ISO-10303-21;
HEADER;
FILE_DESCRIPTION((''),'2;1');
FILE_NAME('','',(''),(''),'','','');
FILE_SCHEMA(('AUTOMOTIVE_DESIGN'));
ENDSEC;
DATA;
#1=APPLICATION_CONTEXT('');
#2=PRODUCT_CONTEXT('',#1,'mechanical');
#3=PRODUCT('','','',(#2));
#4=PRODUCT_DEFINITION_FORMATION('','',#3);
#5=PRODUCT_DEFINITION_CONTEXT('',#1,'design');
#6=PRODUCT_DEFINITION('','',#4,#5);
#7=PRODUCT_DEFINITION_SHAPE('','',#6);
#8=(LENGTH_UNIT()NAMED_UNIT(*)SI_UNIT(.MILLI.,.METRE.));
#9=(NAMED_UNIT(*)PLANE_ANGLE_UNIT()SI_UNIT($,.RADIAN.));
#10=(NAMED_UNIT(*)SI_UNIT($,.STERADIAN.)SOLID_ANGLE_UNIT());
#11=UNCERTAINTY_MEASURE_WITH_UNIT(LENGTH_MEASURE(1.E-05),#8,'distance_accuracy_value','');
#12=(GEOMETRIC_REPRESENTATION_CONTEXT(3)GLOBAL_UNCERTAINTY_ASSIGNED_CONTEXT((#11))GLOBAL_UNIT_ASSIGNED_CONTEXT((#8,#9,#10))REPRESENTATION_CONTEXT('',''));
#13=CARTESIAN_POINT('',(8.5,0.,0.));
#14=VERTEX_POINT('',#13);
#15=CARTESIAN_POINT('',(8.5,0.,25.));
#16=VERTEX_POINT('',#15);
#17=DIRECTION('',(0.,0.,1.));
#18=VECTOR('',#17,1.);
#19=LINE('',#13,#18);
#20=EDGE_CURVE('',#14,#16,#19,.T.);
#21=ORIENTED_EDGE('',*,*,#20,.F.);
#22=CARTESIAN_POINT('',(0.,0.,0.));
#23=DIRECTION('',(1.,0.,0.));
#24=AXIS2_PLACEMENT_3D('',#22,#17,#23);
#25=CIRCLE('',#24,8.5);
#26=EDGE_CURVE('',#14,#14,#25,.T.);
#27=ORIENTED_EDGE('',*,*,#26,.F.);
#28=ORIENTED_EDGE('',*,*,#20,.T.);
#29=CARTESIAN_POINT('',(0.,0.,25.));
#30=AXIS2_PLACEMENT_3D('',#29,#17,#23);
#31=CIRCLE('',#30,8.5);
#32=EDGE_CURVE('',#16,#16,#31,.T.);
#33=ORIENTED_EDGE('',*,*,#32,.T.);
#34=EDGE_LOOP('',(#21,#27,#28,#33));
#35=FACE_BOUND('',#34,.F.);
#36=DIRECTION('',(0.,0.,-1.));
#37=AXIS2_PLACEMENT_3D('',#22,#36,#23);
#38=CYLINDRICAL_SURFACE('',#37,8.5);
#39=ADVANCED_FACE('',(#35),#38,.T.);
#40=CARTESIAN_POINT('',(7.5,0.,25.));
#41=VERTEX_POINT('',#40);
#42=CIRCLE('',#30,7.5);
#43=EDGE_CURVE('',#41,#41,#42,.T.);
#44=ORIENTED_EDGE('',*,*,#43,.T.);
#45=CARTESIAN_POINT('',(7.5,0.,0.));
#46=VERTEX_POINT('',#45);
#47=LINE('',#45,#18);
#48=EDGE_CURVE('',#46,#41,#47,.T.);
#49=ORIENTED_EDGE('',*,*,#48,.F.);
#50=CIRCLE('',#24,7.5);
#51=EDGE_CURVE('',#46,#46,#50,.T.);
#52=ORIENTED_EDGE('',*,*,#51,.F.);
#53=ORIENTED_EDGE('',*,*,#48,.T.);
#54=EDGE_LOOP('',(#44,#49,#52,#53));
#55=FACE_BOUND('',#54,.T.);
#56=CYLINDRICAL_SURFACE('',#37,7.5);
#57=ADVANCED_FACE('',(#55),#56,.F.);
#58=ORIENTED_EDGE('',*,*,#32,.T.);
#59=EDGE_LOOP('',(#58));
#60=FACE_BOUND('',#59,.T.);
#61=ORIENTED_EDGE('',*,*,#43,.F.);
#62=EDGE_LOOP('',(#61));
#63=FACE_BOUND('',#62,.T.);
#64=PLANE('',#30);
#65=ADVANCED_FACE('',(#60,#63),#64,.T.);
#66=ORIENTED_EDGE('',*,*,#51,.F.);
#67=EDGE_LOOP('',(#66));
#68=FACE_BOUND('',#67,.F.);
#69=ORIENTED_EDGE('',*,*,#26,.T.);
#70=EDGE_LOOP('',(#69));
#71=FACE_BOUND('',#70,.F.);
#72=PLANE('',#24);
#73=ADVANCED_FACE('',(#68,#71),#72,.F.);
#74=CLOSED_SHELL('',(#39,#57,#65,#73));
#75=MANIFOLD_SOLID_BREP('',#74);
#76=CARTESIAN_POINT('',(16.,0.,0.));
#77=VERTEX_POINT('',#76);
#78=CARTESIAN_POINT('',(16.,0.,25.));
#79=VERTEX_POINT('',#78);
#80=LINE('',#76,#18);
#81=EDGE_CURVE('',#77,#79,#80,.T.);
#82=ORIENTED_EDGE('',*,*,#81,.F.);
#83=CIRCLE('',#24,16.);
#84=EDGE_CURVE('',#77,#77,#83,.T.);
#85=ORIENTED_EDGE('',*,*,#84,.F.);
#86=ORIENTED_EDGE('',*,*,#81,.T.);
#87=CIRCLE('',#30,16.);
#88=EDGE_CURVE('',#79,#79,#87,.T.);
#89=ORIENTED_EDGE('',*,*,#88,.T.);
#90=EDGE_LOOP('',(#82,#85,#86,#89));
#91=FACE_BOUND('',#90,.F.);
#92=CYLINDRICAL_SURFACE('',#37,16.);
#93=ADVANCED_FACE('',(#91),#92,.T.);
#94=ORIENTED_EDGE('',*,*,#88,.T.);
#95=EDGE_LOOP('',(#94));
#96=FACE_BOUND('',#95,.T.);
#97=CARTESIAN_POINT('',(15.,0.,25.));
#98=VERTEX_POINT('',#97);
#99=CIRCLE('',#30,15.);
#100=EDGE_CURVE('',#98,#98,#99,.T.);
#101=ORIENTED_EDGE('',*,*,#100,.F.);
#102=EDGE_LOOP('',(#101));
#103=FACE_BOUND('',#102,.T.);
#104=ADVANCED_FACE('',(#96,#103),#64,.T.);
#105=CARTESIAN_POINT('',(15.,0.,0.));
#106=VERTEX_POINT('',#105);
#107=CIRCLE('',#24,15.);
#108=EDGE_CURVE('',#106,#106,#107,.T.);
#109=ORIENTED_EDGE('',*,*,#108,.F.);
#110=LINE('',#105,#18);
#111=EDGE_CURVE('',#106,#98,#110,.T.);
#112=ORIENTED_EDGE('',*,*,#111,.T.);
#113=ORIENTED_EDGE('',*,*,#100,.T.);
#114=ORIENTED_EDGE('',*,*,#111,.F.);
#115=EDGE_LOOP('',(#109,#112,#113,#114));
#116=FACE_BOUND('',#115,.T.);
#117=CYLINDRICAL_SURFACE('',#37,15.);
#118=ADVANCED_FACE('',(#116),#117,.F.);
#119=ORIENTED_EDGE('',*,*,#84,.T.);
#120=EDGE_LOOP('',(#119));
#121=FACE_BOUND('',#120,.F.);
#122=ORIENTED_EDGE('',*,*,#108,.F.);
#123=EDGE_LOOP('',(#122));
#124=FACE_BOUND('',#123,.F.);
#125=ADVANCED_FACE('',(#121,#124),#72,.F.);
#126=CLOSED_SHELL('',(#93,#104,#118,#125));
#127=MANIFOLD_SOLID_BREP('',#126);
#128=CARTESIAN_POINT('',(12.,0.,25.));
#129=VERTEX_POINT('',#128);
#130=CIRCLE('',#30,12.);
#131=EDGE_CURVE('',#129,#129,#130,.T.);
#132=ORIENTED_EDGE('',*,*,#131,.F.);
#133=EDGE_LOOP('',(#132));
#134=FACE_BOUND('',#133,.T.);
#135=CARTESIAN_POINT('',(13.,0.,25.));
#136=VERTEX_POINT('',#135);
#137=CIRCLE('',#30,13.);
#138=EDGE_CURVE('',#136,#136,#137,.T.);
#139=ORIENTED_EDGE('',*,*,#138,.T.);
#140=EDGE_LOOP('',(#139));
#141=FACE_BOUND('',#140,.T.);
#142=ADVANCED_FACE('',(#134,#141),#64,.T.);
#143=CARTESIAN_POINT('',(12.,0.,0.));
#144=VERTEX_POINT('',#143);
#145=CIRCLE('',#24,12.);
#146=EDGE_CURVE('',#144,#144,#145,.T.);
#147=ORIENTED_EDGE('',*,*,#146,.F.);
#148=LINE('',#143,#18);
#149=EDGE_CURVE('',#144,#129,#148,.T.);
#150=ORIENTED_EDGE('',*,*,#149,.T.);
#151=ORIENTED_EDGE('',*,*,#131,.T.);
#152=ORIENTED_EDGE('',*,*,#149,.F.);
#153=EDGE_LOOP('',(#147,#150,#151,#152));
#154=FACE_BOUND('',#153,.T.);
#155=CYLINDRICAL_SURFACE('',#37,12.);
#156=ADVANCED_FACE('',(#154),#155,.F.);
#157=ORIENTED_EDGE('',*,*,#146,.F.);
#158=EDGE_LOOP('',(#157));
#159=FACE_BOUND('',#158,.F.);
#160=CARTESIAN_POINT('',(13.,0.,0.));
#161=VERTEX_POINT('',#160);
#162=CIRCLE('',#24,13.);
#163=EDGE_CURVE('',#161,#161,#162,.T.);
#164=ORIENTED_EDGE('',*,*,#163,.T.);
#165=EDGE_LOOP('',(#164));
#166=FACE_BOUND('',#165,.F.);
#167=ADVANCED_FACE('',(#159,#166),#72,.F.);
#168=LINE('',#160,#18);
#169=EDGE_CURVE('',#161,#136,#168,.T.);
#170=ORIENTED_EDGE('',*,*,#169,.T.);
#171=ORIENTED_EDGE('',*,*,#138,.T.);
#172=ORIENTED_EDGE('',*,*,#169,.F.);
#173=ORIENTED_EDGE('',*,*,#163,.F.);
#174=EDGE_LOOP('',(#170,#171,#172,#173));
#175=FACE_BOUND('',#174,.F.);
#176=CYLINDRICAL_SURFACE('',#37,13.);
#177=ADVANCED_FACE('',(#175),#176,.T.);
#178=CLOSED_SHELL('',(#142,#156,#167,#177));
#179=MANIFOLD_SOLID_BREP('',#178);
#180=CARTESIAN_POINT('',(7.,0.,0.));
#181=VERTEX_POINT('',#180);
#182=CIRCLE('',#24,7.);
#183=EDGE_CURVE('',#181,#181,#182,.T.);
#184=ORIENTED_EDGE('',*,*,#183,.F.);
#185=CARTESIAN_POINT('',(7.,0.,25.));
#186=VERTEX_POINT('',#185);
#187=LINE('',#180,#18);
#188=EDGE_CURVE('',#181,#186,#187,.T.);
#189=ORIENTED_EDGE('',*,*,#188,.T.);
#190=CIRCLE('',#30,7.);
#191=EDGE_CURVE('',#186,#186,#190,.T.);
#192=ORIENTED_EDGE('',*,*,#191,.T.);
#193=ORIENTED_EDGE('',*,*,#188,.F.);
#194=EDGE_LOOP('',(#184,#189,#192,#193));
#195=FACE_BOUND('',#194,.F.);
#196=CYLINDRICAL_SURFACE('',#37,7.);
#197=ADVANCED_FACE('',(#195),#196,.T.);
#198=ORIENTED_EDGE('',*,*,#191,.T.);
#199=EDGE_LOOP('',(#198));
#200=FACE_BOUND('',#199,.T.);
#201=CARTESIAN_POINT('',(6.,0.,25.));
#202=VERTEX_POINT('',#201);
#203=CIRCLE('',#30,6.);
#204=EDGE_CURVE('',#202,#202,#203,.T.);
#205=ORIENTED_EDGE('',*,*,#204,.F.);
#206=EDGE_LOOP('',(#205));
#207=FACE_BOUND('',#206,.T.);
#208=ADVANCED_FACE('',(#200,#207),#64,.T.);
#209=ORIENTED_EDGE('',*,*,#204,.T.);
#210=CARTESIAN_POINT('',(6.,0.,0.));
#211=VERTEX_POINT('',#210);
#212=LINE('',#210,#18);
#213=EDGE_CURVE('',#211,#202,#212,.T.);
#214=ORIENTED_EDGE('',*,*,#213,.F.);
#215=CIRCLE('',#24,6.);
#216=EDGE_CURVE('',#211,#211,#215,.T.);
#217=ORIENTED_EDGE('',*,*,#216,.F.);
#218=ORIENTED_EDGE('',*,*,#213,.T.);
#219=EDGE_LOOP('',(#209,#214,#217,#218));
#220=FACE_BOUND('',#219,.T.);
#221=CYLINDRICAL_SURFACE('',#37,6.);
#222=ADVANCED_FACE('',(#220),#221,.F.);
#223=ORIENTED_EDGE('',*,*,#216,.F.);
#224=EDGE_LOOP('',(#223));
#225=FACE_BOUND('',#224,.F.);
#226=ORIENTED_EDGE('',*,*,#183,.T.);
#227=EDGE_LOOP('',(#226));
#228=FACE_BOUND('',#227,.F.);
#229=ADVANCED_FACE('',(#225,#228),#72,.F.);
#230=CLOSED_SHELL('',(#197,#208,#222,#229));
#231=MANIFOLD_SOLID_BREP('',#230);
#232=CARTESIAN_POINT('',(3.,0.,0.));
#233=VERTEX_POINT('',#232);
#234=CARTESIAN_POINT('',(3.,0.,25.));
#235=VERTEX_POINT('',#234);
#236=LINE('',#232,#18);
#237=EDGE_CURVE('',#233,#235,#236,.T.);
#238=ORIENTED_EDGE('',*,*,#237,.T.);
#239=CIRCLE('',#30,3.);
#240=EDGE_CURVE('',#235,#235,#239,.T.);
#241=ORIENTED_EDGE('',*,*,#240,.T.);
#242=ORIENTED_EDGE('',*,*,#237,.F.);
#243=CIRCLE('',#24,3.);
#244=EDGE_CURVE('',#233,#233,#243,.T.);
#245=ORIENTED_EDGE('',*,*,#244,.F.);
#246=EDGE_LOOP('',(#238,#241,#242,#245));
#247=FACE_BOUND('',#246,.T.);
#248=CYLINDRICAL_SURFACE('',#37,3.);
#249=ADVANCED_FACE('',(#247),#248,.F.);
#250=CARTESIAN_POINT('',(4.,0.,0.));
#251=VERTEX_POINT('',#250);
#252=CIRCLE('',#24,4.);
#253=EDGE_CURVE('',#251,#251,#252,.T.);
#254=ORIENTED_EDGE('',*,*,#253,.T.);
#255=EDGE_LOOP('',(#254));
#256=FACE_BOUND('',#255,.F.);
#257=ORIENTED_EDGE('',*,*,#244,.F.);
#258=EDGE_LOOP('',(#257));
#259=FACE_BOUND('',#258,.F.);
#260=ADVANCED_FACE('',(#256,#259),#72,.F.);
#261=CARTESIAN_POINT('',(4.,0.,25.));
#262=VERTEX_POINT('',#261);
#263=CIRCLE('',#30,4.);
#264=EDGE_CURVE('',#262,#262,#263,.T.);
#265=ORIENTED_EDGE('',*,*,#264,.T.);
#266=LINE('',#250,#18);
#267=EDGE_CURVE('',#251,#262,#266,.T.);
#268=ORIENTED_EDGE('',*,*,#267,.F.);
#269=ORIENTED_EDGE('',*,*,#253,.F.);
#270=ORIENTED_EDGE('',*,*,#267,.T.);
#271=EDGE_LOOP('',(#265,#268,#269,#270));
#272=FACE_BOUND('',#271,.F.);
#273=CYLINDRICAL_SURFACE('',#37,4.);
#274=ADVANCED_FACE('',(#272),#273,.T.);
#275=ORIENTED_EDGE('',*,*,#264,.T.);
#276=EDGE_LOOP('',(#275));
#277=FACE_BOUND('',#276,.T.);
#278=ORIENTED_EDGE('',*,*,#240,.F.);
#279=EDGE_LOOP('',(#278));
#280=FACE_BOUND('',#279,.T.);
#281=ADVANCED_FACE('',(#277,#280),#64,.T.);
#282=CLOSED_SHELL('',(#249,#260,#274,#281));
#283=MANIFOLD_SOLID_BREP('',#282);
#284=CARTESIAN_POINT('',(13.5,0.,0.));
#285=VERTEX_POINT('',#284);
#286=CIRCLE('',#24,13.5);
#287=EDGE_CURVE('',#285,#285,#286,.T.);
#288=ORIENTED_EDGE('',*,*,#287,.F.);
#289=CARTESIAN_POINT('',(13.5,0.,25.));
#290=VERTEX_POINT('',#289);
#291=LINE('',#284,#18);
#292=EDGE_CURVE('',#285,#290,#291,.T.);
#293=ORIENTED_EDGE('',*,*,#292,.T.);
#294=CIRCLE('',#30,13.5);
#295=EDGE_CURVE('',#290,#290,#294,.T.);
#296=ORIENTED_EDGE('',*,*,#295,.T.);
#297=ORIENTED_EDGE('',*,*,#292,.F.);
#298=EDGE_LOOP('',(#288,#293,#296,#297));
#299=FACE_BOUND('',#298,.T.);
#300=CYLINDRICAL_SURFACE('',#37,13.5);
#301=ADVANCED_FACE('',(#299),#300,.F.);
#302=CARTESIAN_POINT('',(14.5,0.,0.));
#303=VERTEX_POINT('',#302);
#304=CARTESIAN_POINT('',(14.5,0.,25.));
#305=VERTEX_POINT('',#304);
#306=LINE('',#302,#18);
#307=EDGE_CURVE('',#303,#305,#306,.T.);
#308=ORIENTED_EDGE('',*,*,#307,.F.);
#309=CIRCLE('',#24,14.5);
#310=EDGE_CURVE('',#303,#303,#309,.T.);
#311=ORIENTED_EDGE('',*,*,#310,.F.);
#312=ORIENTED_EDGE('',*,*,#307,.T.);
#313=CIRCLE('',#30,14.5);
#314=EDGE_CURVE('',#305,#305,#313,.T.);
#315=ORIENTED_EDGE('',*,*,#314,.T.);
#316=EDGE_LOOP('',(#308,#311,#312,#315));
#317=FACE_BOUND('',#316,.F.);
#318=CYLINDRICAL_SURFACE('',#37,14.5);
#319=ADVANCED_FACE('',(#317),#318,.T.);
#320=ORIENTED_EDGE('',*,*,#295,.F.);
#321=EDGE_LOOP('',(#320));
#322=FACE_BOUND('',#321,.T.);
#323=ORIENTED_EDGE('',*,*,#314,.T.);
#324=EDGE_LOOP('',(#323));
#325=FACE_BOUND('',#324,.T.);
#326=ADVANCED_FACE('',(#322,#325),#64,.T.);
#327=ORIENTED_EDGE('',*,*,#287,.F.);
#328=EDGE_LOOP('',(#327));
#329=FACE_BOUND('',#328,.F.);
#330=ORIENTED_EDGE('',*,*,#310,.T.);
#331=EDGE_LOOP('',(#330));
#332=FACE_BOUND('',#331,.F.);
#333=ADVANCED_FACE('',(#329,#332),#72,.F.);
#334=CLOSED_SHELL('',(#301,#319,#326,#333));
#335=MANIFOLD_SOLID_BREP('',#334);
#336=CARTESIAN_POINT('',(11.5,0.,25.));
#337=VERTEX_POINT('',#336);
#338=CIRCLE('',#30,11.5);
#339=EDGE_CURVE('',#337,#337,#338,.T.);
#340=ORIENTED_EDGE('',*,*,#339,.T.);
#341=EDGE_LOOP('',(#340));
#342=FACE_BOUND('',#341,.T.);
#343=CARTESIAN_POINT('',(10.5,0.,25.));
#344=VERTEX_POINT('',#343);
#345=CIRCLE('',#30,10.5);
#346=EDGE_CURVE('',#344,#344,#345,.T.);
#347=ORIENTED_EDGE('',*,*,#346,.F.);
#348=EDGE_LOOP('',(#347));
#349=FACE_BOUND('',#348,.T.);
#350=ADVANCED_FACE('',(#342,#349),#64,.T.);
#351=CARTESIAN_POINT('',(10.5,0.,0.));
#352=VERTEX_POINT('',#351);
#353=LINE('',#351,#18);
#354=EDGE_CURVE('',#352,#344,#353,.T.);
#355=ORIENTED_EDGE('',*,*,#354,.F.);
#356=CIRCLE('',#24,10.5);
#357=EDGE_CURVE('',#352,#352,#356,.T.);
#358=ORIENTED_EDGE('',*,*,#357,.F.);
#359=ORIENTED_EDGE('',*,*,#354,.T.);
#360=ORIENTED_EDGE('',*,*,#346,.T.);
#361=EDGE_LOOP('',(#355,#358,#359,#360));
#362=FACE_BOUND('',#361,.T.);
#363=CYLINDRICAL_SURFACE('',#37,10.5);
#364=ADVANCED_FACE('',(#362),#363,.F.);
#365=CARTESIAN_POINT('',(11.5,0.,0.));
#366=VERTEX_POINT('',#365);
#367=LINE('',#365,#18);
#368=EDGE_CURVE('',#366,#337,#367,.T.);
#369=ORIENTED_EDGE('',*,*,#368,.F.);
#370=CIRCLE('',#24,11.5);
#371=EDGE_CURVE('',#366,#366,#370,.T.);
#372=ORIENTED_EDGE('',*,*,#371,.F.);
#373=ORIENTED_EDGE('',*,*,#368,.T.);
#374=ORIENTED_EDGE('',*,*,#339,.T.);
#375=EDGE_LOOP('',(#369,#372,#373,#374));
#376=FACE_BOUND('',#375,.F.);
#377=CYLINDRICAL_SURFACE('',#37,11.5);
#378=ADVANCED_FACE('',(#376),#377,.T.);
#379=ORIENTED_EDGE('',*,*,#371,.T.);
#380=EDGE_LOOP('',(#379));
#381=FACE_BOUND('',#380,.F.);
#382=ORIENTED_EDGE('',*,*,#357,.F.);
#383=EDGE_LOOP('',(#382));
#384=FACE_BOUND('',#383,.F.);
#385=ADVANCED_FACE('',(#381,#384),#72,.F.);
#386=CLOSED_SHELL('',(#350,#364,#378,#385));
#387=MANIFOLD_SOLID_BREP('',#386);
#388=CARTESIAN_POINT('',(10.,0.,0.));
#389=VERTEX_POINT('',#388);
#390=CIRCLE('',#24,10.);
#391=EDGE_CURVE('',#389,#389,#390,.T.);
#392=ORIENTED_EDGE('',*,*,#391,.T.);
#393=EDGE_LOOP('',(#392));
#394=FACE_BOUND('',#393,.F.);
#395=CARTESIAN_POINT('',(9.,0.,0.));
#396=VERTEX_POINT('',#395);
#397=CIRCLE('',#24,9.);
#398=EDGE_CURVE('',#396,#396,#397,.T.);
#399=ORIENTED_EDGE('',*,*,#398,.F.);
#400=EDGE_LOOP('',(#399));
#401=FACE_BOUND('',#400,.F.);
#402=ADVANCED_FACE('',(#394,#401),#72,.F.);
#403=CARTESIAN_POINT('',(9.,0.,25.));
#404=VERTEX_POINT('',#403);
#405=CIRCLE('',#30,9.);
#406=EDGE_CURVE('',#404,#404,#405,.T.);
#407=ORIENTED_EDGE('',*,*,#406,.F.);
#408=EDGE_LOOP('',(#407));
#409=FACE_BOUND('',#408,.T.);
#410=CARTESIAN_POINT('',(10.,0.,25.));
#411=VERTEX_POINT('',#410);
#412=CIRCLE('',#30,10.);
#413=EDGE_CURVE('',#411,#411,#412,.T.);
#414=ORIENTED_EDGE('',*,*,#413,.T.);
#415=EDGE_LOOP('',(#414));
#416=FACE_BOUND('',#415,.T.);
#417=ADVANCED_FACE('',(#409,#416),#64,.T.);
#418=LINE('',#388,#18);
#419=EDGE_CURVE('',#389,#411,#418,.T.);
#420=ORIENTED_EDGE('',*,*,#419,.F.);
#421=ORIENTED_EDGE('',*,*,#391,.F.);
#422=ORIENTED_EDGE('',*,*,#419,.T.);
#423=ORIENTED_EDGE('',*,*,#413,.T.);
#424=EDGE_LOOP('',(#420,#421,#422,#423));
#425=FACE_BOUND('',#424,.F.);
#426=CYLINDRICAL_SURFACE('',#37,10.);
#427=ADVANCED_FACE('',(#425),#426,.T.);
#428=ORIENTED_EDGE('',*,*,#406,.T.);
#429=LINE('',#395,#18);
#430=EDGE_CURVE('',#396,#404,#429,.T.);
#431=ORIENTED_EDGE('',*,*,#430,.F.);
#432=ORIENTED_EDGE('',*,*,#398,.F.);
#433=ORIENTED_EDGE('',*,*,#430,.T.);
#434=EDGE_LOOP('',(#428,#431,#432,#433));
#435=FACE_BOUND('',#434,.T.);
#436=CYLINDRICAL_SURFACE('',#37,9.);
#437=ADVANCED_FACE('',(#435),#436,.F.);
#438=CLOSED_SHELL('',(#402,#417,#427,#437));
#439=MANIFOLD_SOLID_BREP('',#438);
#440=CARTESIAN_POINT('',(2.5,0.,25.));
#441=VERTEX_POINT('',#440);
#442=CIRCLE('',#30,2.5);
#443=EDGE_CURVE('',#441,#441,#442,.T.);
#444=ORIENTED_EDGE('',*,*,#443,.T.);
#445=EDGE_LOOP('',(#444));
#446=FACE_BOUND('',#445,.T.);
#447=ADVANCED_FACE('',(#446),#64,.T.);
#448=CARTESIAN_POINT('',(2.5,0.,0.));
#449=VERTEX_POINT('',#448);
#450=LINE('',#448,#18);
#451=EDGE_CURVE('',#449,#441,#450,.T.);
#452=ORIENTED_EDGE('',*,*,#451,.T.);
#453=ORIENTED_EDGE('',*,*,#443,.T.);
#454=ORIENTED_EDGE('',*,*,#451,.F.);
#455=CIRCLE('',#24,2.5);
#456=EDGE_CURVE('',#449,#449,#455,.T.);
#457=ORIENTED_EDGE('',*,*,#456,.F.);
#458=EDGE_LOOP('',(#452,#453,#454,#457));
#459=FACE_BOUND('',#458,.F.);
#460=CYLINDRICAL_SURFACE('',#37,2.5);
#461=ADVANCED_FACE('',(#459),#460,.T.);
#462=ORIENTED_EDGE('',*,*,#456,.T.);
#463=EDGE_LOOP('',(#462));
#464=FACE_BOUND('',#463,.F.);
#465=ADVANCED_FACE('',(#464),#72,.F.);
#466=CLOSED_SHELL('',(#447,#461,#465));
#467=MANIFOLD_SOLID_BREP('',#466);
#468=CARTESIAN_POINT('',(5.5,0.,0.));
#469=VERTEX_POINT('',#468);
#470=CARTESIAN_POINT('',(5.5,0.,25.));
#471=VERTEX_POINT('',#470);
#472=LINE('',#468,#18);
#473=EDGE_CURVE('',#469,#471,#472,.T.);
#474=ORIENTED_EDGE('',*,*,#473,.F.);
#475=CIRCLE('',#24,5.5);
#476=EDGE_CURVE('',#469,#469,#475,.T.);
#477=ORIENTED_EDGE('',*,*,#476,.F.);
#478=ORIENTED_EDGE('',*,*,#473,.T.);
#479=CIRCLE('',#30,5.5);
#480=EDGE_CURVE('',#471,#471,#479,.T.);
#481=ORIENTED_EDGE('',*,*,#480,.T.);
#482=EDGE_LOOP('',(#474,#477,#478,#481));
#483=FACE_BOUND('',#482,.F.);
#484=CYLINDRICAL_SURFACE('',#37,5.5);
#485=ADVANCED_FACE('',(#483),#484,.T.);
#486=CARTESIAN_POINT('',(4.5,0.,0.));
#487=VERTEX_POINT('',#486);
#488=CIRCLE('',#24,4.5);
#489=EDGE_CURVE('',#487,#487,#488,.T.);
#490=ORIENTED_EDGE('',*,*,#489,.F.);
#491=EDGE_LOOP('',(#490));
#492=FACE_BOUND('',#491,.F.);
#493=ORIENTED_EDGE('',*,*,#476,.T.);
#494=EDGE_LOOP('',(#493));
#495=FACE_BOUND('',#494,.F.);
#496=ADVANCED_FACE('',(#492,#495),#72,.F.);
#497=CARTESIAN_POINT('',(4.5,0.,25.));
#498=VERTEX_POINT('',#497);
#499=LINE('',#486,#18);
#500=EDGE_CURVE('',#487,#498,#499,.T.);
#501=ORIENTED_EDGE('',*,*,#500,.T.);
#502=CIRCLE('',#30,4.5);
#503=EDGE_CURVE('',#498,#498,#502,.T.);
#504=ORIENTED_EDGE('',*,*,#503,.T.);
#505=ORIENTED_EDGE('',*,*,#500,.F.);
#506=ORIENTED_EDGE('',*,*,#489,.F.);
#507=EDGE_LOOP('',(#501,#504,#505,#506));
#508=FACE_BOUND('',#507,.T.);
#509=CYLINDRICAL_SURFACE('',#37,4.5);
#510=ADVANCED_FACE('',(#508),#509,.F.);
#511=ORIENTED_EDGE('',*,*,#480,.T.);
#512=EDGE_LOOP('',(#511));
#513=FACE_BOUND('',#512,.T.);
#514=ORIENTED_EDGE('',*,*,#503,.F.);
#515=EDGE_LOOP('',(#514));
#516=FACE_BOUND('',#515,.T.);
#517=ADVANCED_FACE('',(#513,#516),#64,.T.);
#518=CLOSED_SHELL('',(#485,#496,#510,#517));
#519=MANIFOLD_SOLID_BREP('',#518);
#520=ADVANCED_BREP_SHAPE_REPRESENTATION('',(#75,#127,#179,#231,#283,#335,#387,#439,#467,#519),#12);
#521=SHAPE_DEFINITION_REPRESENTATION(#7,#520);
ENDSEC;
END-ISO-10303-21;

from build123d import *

# Parameters (mm, degrees)
F0_R     = 2.5
F1_DEPTH = 25
F0_R_2   = 4
F0_R_3   = 3
F0_R_4   = 5.5
F0_R_5   = 4.5
F0_R_6   = 7
F0_R_7   = 6
F0_R_8   = 8.5
F0_R_9   = 7.5
F0_R_10  = 10
F0_R_11  = 9
F0_R_12  = 11.5
F0_R_13  = 10.5
F0_R_14  = 13
F0_R_15  = 12
F0_R_16  = 14.5
F0_R_17  = 13.5
F0_R_18  = 16
F0_R_19  = 15


with BuildPart() as f1:
    # F0 (on Top) → F1 (new body)
    with BuildSketch(Plane.XY):
        Circle(F0_R)
    extrude(amount=F1_DEPTH)


with BuildPart() as f1b:
    # F0 (on Top) → F1, piece 2 (new body)
    with BuildSketch(Plane.XY):
        Circle(F0_R_2)
        Circle(F0_R_3, mode=Mode.SUBTRACT)
    extrude(amount=F1_DEPTH)


with BuildPart() as f1c:
    # F0 (on Top) → F1, piece 3 (new body)
    with BuildSketch(Plane.XY):
        Circle(F0_R_4)
        Circle(F0_R_5, mode=Mode.SUBTRACT)
    extrude(amount=F1_DEPTH)


with BuildPart() as f1d:
    # F0 (on Top) → F1, piece 4 (new body)
    with BuildSketch(Plane.XY):
        Circle(F0_R_6)
        Circle(F0_R_7, mode=Mode.SUBTRACT)
    extrude(amount=F1_DEPTH)


with BuildPart() as f1e:
    # F0 (on Top) → F1, piece 5 (new body)
    with BuildSketch(Plane.XY):
        Circle(F0_R_8)
        Circle(F0_R_9, mode=Mode.SUBTRACT)
    extrude(amount=F1_DEPTH)


with BuildPart() as f1f:
    # F0 (on Top) → F1, piece 6 (new body)
    with BuildSketch(Plane.XY):
        Circle(F0_R_10)
        Circle(F0_R_11, mode=Mode.SUBTRACT)
    extrude(amount=F1_DEPTH)


with BuildPart() as f1g:
    # F0 (on Top) → F1, piece 7 (new body)
    with BuildSketch(Plane.XY):
        Circle(F0_R_12)
        Circle(F0_R_13, mode=Mode.SUBTRACT)
    extrude(amount=F1_DEPTH)


with BuildPart() as f1h:
    # F0 (on Top) → F1, piece 8 (new body)
    with BuildSketch(Plane.XY):
        Circle(F0_R_14)
        Circle(F0_R_15, mode=Mode.SUBTRACT)
    extrude(amount=F1_DEPTH)


with BuildPart() as f1i:
    # F0 (on Top) → F1, piece 9 (new body)
    with BuildSketch(Plane.XY):
        Circle(F0_R_16)
        Circle(F0_R_17, mode=Mode.SUBTRACT)
    extrude(amount=F1_DEPTH)


with BuildPart() as f1j:
    # F0 (on Top) → F1, piece 10 (new body)
    with BuildSketch(Plane.XY):
        Circle(F0_R_18)
        Circle(F0_R_19, mode=Mode.SUBTRACT)
    extrude(amount=F1_DEPTH)


solid = Compound([f1.part, f1b.part, f1c.part, f1d.part, f1e.part, f1f.part, f1g.part, f1h.part, f1i.part, f1j.part])
